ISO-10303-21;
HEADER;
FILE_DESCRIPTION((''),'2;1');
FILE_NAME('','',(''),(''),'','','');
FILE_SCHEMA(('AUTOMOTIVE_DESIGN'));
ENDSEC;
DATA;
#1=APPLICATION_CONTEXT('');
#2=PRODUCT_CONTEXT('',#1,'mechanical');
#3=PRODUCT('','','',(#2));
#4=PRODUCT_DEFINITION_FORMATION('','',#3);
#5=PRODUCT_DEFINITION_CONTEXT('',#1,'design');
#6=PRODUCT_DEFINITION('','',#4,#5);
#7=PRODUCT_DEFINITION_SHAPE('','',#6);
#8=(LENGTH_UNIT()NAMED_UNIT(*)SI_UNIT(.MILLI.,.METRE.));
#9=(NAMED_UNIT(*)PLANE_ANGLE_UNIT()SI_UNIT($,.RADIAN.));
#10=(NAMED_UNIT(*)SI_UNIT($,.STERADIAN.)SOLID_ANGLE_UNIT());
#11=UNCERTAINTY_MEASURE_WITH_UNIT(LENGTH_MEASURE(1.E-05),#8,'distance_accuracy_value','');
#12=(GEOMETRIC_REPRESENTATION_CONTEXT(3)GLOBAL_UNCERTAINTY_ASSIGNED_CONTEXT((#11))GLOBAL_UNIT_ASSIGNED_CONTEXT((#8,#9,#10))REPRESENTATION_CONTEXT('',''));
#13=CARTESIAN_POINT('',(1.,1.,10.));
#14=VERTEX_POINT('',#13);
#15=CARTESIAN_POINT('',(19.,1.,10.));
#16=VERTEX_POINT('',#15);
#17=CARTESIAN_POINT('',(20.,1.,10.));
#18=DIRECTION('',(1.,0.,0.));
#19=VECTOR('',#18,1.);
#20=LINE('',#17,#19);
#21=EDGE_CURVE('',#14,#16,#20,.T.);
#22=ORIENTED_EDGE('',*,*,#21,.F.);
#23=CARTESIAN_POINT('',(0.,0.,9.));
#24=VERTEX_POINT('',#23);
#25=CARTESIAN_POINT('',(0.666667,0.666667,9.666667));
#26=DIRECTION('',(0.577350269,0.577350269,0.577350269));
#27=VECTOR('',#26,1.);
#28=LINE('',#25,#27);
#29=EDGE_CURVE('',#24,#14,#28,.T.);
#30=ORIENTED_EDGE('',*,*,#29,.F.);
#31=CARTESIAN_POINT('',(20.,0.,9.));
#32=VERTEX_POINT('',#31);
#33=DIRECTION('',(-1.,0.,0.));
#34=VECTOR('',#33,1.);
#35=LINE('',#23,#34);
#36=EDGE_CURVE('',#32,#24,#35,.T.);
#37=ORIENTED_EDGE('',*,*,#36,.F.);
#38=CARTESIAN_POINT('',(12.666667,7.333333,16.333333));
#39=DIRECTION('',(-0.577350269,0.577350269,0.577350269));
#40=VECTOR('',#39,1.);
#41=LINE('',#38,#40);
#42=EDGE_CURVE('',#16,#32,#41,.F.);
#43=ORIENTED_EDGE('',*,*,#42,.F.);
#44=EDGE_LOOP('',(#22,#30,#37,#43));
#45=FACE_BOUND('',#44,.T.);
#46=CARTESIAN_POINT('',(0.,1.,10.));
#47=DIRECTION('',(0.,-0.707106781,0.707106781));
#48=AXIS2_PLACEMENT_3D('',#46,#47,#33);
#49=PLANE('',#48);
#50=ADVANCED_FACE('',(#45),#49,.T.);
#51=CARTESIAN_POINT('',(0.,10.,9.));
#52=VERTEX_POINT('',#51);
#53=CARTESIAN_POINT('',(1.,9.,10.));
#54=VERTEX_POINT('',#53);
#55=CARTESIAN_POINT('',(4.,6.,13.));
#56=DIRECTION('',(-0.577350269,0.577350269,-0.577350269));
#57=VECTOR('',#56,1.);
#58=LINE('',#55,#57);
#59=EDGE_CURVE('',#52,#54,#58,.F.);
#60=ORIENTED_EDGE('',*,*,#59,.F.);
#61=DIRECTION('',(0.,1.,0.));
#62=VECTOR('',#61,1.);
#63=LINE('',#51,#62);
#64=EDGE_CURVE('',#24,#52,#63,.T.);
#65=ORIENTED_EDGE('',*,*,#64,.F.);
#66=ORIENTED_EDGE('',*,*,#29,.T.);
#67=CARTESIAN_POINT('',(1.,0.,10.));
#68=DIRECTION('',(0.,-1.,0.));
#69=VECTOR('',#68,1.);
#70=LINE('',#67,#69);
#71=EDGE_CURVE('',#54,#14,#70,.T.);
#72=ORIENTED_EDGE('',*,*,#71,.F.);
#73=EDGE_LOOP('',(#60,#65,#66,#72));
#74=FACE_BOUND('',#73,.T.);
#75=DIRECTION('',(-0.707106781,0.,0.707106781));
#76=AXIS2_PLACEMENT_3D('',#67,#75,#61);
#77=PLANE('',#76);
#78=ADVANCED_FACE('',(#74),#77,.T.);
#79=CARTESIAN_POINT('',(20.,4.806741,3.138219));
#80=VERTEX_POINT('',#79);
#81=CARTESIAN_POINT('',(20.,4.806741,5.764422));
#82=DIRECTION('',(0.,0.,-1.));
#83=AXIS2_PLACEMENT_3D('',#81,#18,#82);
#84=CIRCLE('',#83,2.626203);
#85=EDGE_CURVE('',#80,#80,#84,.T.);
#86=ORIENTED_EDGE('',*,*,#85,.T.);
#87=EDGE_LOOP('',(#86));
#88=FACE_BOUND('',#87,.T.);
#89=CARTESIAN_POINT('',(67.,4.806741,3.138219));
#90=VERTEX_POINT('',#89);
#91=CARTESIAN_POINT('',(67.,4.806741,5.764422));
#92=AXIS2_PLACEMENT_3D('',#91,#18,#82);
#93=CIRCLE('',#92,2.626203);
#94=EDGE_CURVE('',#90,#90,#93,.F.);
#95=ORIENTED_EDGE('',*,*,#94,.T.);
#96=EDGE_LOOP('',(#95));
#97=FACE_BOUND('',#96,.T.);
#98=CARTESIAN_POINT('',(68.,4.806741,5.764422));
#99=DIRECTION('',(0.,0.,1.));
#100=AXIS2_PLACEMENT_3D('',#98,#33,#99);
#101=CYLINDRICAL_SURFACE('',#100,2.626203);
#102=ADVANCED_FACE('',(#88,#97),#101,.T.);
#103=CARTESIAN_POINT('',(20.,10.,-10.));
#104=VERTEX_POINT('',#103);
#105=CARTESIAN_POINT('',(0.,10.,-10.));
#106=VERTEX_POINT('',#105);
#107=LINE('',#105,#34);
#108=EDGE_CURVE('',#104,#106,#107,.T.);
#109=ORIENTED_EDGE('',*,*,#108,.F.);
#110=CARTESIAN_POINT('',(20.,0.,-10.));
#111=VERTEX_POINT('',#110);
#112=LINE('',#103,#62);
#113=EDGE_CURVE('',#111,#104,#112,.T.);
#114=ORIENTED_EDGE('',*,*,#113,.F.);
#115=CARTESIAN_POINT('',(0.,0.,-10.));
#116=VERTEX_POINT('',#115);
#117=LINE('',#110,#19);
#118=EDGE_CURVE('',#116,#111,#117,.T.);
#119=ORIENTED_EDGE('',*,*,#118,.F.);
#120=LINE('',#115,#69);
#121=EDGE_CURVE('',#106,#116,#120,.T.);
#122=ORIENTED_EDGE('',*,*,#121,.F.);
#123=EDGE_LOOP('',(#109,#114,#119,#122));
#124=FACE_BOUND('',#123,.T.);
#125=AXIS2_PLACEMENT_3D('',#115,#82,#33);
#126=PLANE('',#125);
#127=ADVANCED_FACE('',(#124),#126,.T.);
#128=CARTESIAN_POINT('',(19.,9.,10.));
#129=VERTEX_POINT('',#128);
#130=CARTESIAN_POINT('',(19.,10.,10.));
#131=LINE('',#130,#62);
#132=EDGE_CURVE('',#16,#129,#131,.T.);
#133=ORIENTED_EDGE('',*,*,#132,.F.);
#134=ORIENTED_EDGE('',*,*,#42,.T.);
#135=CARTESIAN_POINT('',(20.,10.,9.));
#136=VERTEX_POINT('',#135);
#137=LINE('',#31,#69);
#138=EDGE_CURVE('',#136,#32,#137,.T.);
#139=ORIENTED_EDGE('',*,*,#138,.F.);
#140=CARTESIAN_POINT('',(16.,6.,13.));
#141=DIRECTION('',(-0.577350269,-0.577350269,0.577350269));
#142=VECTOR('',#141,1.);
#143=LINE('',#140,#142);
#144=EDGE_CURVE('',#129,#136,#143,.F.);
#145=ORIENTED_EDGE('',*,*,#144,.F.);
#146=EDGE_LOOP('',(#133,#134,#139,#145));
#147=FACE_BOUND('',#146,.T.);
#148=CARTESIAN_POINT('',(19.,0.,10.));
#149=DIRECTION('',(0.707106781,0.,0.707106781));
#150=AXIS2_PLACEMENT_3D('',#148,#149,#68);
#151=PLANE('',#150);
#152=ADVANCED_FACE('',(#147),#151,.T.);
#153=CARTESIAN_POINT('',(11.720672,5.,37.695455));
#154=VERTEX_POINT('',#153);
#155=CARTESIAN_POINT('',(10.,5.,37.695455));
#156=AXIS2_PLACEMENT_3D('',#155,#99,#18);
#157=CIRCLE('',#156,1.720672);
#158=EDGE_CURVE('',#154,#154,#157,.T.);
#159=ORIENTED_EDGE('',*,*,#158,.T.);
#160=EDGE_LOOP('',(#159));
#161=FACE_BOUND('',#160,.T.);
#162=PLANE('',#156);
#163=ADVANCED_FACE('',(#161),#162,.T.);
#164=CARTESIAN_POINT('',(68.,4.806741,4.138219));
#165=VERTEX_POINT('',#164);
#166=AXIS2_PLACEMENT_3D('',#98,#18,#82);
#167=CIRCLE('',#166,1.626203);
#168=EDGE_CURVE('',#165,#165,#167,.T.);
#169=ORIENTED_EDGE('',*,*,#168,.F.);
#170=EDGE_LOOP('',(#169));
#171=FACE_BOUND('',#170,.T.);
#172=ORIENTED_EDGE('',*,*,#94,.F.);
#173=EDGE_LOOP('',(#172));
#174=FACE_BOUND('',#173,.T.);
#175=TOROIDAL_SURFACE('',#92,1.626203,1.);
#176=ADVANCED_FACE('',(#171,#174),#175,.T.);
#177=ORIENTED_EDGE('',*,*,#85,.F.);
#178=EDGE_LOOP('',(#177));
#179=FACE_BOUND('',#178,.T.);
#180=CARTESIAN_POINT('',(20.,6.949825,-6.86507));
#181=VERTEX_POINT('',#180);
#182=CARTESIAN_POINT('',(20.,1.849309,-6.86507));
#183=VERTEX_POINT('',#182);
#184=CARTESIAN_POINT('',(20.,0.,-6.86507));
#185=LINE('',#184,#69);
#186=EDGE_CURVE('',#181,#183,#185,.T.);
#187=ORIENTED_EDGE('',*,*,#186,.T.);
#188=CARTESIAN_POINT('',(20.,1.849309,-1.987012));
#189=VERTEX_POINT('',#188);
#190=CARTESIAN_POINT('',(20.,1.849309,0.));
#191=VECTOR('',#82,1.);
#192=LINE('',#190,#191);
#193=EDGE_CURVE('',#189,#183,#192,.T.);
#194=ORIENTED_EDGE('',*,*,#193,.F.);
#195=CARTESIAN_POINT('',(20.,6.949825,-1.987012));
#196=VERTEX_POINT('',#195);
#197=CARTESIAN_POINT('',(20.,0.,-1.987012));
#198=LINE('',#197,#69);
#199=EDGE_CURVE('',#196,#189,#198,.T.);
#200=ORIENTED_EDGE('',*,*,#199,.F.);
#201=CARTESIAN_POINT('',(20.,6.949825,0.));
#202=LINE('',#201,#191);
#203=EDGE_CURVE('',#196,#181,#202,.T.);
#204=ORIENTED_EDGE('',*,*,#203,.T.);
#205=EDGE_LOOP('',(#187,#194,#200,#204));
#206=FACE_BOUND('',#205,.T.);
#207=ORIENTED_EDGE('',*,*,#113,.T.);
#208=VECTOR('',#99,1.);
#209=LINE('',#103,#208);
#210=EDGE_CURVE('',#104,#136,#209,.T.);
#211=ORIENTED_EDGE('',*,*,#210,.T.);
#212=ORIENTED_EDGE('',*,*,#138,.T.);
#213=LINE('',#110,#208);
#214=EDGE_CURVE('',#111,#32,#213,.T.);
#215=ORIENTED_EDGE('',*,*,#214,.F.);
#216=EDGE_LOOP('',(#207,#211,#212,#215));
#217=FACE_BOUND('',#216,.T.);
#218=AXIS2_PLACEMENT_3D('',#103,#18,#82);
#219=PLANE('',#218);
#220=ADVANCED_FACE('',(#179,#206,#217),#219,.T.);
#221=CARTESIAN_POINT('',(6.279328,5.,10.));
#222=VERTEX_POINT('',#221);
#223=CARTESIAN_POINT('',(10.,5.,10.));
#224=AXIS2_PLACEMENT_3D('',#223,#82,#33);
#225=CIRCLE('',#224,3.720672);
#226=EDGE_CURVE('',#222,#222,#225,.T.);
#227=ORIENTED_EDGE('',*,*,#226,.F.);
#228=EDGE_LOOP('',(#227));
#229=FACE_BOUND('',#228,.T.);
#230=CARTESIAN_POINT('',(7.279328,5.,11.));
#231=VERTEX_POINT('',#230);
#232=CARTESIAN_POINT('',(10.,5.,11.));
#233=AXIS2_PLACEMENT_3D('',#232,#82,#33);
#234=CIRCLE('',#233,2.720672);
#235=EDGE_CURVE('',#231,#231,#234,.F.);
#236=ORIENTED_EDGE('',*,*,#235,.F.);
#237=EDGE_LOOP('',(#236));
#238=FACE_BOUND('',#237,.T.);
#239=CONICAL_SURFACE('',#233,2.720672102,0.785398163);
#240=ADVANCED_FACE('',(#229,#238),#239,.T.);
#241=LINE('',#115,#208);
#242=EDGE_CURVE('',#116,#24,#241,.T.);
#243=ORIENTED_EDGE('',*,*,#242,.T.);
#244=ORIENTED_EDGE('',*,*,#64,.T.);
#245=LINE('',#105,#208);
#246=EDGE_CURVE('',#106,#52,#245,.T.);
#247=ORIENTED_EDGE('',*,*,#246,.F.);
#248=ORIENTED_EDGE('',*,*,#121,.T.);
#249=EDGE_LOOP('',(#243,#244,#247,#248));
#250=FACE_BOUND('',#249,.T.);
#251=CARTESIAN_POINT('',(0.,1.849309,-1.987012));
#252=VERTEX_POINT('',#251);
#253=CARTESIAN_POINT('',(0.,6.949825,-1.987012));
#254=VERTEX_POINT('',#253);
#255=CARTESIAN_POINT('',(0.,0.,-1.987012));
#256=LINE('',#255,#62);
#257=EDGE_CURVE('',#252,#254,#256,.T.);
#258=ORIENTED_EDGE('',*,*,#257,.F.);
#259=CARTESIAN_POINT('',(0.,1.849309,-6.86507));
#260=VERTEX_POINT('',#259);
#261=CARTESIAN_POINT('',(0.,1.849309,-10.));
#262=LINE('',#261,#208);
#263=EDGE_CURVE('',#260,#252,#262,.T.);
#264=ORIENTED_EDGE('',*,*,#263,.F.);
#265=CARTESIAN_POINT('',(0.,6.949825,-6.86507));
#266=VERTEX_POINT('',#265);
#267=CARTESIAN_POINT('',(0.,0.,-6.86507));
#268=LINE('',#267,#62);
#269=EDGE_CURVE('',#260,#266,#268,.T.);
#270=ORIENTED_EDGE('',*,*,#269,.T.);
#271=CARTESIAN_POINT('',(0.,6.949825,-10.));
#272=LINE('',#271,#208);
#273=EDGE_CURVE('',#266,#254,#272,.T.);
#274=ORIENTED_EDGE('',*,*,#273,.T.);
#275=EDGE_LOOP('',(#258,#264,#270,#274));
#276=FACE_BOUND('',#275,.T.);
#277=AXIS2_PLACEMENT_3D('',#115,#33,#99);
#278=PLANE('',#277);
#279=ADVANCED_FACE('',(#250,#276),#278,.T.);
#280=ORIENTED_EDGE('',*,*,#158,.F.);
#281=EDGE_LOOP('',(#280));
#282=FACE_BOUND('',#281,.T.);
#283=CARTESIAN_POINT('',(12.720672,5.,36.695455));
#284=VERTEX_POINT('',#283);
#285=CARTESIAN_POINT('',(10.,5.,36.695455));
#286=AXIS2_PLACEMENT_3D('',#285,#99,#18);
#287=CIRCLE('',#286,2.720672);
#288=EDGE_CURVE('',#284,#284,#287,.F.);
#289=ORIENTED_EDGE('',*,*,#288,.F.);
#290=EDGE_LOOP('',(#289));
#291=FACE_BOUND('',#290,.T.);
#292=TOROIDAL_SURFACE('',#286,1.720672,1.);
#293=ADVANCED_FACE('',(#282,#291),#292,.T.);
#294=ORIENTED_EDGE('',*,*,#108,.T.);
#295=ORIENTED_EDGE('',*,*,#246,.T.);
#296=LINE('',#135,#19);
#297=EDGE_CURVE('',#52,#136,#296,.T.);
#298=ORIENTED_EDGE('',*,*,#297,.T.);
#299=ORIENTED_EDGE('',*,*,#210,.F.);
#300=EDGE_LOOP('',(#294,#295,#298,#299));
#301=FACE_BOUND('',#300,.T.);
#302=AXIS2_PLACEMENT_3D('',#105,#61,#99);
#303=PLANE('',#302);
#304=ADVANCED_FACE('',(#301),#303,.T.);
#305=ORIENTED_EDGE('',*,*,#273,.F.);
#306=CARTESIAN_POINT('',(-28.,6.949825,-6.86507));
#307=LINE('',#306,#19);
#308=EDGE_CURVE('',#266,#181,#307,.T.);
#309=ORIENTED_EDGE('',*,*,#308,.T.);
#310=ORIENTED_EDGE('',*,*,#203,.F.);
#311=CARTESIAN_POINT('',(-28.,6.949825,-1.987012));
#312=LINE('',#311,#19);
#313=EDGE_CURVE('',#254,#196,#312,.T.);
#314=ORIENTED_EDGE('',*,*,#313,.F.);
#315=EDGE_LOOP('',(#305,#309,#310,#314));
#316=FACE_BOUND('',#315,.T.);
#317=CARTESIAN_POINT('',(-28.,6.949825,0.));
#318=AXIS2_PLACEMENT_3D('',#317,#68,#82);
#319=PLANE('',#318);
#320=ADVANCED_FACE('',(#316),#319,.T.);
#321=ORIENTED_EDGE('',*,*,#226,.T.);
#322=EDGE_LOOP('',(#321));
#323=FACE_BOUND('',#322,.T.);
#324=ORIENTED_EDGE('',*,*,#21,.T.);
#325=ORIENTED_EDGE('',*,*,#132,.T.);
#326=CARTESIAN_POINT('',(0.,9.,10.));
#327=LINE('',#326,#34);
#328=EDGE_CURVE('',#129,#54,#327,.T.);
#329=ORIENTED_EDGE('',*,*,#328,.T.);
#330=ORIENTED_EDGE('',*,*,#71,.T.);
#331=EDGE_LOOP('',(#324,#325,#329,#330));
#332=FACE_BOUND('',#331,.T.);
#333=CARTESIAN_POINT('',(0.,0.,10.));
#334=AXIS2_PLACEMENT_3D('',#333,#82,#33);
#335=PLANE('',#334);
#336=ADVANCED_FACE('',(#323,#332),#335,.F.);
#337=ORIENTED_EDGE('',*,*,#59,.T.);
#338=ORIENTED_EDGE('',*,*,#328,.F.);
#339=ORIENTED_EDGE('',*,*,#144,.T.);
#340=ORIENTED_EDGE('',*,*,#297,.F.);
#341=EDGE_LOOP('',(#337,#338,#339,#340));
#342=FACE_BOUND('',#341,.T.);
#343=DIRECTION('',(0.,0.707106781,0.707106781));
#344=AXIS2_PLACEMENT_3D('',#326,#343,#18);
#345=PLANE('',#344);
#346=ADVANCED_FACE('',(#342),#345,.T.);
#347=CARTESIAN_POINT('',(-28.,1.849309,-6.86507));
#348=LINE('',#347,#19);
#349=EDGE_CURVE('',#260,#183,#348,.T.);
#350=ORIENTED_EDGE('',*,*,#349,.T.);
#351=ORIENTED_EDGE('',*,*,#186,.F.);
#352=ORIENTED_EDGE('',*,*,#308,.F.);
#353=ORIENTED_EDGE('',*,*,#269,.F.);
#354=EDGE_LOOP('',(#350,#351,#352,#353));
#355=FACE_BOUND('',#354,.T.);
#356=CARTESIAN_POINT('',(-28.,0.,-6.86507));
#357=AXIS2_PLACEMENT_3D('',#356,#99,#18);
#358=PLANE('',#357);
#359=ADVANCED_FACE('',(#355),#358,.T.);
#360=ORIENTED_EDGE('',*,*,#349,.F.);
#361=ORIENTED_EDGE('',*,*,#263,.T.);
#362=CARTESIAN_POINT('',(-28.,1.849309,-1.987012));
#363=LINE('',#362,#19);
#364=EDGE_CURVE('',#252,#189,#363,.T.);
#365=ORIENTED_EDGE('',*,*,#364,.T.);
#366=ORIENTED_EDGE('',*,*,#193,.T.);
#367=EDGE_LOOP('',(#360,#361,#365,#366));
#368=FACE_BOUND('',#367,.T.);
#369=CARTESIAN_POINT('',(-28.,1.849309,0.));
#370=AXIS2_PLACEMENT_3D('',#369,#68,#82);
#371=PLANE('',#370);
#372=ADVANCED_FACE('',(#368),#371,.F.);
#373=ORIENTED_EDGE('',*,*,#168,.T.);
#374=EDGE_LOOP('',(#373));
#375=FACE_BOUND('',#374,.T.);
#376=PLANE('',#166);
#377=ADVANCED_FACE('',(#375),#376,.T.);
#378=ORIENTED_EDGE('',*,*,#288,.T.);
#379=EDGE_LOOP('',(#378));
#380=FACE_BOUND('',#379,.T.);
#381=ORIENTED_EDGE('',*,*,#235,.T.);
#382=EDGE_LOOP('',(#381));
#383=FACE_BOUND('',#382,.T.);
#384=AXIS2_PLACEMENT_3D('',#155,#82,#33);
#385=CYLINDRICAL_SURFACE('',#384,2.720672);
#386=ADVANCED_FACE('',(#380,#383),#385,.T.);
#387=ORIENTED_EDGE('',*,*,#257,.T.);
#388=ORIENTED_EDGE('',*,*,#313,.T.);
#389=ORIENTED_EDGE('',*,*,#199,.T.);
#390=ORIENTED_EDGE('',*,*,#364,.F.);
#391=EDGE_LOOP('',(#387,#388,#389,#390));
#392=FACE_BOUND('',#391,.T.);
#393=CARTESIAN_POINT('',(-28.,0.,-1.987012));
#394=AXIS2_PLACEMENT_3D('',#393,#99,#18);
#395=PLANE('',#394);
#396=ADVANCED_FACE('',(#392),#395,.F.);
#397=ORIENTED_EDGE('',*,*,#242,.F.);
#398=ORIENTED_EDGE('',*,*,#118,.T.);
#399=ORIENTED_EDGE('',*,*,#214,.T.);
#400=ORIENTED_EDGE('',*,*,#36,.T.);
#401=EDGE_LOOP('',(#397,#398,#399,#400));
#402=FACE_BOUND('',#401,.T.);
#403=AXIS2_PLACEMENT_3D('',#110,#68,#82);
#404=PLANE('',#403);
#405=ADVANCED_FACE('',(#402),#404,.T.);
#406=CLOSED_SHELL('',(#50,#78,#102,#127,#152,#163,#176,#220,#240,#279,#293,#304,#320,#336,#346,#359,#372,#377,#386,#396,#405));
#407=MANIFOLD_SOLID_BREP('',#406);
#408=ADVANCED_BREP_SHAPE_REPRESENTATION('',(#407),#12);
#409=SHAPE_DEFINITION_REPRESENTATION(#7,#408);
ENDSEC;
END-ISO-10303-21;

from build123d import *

# Parameters (mm, degrees)
BOSS_EXTRUDE1_DEPTH      = 10
BOSS_EXTRUDE1_DEPTH_BACK = 10
SKETCH1_W                = 20
SKETCH1_H                = 10
SKETCH3_R                = 2.720672102
BOSS_EXTRUDE2_DEPTH      = 27.695455009
SKETCH6_R                = 2.626203493
BOSS_EXTRUDE3_DEPTH      = 48
SKETCH6_5_W              = 4.878057838
SKETCH6_5_H              = 5.100515908
CUT_EXTRUDE2_DEPTH       = 48
FILLET1_R                = 1
CHAMFER1_SIZE            = 1
FILLET5_R                = 1


with BuildPart() as part:
    # Sketch1 → Boss-Extrude1 (new, two sides: drawn at the far end of the back side and taken through both)
    with BuildSketch(Plane.XY.offset(-BOSS_EXTRUDE1_DEPTH_BACK)):
        with Locations((10, 5)):
            Rectangle(SKETCH1_W, SKETCH1_H)
    extrude(amount=BOSS_EXTRUDE1_DEPTH + BOSS_EXTRUDE1_DEPTH_BACK)

    # Sketch3 → Boss-Extrude2 (add)
    with BuildSketch(Plane.XY.offset(10)):
        with Locations((10, 5)):
            Circle(SKETCH3_R)
    extrude(amount=BOSS_EXTRUDE2_DEPTH)

    # Sketch6 → Boss-Extrude3 (add)
    with BuildSketch(Plane(origin=(20, 0, 0), x_dir=(0, 0, -1), z_dir=(1, 0, 0))):
        with Locations((-5.764422097, 4.80674108)):
            Circle(SKETCH6_R)
    extrude(amount=BOSS_EXTRUDE3_DEPTH)

    # Sketch6<5> → Cut-Extrude2 (cut)
    with BuildSketch(Plane(origin=(20, 0, 0), x_dir=(0, 0, -1), z_dir=(1, 0, 0))):
        with Locations((4.426041194, 4.399566895)):
            Rectangle(SKETCH6_5_W, SKETCH6_5_H)
    extrude(amount=-CUT_EXTRUDE2_DEPTH, mode=Mode.SUBTRACT)

    # Fillet1
    fillet1_edges = [part.edges().sort_by_distance(p)[0] for p in [
        (7.279327898, 5, 37.695455009),
    ]]
    fillet(fillet1_edges, radius=FILLET1_R)

    # Chamfer1
    chamfer1_edges = [part.edges().sort_by_distance(p)[0] for p in [
        (10, 10, 10),
        (20, 5, 10),
        (10, 0, 10),
        (0, 5, 10),
        (7.279327898, 5, 10),
    ]]
    chamfer(chamfer1_edges, length=CHAMFER1_SIZE)

    # Fillet5
    fillet5_edges = [part.edges().sort_by_distance(p)[0] for p in [
        (68, 4.80674108, 8.390625589),
    ]]
    fillet(fillet5_edges, radius=FILLET5_R)


solid = part.part
